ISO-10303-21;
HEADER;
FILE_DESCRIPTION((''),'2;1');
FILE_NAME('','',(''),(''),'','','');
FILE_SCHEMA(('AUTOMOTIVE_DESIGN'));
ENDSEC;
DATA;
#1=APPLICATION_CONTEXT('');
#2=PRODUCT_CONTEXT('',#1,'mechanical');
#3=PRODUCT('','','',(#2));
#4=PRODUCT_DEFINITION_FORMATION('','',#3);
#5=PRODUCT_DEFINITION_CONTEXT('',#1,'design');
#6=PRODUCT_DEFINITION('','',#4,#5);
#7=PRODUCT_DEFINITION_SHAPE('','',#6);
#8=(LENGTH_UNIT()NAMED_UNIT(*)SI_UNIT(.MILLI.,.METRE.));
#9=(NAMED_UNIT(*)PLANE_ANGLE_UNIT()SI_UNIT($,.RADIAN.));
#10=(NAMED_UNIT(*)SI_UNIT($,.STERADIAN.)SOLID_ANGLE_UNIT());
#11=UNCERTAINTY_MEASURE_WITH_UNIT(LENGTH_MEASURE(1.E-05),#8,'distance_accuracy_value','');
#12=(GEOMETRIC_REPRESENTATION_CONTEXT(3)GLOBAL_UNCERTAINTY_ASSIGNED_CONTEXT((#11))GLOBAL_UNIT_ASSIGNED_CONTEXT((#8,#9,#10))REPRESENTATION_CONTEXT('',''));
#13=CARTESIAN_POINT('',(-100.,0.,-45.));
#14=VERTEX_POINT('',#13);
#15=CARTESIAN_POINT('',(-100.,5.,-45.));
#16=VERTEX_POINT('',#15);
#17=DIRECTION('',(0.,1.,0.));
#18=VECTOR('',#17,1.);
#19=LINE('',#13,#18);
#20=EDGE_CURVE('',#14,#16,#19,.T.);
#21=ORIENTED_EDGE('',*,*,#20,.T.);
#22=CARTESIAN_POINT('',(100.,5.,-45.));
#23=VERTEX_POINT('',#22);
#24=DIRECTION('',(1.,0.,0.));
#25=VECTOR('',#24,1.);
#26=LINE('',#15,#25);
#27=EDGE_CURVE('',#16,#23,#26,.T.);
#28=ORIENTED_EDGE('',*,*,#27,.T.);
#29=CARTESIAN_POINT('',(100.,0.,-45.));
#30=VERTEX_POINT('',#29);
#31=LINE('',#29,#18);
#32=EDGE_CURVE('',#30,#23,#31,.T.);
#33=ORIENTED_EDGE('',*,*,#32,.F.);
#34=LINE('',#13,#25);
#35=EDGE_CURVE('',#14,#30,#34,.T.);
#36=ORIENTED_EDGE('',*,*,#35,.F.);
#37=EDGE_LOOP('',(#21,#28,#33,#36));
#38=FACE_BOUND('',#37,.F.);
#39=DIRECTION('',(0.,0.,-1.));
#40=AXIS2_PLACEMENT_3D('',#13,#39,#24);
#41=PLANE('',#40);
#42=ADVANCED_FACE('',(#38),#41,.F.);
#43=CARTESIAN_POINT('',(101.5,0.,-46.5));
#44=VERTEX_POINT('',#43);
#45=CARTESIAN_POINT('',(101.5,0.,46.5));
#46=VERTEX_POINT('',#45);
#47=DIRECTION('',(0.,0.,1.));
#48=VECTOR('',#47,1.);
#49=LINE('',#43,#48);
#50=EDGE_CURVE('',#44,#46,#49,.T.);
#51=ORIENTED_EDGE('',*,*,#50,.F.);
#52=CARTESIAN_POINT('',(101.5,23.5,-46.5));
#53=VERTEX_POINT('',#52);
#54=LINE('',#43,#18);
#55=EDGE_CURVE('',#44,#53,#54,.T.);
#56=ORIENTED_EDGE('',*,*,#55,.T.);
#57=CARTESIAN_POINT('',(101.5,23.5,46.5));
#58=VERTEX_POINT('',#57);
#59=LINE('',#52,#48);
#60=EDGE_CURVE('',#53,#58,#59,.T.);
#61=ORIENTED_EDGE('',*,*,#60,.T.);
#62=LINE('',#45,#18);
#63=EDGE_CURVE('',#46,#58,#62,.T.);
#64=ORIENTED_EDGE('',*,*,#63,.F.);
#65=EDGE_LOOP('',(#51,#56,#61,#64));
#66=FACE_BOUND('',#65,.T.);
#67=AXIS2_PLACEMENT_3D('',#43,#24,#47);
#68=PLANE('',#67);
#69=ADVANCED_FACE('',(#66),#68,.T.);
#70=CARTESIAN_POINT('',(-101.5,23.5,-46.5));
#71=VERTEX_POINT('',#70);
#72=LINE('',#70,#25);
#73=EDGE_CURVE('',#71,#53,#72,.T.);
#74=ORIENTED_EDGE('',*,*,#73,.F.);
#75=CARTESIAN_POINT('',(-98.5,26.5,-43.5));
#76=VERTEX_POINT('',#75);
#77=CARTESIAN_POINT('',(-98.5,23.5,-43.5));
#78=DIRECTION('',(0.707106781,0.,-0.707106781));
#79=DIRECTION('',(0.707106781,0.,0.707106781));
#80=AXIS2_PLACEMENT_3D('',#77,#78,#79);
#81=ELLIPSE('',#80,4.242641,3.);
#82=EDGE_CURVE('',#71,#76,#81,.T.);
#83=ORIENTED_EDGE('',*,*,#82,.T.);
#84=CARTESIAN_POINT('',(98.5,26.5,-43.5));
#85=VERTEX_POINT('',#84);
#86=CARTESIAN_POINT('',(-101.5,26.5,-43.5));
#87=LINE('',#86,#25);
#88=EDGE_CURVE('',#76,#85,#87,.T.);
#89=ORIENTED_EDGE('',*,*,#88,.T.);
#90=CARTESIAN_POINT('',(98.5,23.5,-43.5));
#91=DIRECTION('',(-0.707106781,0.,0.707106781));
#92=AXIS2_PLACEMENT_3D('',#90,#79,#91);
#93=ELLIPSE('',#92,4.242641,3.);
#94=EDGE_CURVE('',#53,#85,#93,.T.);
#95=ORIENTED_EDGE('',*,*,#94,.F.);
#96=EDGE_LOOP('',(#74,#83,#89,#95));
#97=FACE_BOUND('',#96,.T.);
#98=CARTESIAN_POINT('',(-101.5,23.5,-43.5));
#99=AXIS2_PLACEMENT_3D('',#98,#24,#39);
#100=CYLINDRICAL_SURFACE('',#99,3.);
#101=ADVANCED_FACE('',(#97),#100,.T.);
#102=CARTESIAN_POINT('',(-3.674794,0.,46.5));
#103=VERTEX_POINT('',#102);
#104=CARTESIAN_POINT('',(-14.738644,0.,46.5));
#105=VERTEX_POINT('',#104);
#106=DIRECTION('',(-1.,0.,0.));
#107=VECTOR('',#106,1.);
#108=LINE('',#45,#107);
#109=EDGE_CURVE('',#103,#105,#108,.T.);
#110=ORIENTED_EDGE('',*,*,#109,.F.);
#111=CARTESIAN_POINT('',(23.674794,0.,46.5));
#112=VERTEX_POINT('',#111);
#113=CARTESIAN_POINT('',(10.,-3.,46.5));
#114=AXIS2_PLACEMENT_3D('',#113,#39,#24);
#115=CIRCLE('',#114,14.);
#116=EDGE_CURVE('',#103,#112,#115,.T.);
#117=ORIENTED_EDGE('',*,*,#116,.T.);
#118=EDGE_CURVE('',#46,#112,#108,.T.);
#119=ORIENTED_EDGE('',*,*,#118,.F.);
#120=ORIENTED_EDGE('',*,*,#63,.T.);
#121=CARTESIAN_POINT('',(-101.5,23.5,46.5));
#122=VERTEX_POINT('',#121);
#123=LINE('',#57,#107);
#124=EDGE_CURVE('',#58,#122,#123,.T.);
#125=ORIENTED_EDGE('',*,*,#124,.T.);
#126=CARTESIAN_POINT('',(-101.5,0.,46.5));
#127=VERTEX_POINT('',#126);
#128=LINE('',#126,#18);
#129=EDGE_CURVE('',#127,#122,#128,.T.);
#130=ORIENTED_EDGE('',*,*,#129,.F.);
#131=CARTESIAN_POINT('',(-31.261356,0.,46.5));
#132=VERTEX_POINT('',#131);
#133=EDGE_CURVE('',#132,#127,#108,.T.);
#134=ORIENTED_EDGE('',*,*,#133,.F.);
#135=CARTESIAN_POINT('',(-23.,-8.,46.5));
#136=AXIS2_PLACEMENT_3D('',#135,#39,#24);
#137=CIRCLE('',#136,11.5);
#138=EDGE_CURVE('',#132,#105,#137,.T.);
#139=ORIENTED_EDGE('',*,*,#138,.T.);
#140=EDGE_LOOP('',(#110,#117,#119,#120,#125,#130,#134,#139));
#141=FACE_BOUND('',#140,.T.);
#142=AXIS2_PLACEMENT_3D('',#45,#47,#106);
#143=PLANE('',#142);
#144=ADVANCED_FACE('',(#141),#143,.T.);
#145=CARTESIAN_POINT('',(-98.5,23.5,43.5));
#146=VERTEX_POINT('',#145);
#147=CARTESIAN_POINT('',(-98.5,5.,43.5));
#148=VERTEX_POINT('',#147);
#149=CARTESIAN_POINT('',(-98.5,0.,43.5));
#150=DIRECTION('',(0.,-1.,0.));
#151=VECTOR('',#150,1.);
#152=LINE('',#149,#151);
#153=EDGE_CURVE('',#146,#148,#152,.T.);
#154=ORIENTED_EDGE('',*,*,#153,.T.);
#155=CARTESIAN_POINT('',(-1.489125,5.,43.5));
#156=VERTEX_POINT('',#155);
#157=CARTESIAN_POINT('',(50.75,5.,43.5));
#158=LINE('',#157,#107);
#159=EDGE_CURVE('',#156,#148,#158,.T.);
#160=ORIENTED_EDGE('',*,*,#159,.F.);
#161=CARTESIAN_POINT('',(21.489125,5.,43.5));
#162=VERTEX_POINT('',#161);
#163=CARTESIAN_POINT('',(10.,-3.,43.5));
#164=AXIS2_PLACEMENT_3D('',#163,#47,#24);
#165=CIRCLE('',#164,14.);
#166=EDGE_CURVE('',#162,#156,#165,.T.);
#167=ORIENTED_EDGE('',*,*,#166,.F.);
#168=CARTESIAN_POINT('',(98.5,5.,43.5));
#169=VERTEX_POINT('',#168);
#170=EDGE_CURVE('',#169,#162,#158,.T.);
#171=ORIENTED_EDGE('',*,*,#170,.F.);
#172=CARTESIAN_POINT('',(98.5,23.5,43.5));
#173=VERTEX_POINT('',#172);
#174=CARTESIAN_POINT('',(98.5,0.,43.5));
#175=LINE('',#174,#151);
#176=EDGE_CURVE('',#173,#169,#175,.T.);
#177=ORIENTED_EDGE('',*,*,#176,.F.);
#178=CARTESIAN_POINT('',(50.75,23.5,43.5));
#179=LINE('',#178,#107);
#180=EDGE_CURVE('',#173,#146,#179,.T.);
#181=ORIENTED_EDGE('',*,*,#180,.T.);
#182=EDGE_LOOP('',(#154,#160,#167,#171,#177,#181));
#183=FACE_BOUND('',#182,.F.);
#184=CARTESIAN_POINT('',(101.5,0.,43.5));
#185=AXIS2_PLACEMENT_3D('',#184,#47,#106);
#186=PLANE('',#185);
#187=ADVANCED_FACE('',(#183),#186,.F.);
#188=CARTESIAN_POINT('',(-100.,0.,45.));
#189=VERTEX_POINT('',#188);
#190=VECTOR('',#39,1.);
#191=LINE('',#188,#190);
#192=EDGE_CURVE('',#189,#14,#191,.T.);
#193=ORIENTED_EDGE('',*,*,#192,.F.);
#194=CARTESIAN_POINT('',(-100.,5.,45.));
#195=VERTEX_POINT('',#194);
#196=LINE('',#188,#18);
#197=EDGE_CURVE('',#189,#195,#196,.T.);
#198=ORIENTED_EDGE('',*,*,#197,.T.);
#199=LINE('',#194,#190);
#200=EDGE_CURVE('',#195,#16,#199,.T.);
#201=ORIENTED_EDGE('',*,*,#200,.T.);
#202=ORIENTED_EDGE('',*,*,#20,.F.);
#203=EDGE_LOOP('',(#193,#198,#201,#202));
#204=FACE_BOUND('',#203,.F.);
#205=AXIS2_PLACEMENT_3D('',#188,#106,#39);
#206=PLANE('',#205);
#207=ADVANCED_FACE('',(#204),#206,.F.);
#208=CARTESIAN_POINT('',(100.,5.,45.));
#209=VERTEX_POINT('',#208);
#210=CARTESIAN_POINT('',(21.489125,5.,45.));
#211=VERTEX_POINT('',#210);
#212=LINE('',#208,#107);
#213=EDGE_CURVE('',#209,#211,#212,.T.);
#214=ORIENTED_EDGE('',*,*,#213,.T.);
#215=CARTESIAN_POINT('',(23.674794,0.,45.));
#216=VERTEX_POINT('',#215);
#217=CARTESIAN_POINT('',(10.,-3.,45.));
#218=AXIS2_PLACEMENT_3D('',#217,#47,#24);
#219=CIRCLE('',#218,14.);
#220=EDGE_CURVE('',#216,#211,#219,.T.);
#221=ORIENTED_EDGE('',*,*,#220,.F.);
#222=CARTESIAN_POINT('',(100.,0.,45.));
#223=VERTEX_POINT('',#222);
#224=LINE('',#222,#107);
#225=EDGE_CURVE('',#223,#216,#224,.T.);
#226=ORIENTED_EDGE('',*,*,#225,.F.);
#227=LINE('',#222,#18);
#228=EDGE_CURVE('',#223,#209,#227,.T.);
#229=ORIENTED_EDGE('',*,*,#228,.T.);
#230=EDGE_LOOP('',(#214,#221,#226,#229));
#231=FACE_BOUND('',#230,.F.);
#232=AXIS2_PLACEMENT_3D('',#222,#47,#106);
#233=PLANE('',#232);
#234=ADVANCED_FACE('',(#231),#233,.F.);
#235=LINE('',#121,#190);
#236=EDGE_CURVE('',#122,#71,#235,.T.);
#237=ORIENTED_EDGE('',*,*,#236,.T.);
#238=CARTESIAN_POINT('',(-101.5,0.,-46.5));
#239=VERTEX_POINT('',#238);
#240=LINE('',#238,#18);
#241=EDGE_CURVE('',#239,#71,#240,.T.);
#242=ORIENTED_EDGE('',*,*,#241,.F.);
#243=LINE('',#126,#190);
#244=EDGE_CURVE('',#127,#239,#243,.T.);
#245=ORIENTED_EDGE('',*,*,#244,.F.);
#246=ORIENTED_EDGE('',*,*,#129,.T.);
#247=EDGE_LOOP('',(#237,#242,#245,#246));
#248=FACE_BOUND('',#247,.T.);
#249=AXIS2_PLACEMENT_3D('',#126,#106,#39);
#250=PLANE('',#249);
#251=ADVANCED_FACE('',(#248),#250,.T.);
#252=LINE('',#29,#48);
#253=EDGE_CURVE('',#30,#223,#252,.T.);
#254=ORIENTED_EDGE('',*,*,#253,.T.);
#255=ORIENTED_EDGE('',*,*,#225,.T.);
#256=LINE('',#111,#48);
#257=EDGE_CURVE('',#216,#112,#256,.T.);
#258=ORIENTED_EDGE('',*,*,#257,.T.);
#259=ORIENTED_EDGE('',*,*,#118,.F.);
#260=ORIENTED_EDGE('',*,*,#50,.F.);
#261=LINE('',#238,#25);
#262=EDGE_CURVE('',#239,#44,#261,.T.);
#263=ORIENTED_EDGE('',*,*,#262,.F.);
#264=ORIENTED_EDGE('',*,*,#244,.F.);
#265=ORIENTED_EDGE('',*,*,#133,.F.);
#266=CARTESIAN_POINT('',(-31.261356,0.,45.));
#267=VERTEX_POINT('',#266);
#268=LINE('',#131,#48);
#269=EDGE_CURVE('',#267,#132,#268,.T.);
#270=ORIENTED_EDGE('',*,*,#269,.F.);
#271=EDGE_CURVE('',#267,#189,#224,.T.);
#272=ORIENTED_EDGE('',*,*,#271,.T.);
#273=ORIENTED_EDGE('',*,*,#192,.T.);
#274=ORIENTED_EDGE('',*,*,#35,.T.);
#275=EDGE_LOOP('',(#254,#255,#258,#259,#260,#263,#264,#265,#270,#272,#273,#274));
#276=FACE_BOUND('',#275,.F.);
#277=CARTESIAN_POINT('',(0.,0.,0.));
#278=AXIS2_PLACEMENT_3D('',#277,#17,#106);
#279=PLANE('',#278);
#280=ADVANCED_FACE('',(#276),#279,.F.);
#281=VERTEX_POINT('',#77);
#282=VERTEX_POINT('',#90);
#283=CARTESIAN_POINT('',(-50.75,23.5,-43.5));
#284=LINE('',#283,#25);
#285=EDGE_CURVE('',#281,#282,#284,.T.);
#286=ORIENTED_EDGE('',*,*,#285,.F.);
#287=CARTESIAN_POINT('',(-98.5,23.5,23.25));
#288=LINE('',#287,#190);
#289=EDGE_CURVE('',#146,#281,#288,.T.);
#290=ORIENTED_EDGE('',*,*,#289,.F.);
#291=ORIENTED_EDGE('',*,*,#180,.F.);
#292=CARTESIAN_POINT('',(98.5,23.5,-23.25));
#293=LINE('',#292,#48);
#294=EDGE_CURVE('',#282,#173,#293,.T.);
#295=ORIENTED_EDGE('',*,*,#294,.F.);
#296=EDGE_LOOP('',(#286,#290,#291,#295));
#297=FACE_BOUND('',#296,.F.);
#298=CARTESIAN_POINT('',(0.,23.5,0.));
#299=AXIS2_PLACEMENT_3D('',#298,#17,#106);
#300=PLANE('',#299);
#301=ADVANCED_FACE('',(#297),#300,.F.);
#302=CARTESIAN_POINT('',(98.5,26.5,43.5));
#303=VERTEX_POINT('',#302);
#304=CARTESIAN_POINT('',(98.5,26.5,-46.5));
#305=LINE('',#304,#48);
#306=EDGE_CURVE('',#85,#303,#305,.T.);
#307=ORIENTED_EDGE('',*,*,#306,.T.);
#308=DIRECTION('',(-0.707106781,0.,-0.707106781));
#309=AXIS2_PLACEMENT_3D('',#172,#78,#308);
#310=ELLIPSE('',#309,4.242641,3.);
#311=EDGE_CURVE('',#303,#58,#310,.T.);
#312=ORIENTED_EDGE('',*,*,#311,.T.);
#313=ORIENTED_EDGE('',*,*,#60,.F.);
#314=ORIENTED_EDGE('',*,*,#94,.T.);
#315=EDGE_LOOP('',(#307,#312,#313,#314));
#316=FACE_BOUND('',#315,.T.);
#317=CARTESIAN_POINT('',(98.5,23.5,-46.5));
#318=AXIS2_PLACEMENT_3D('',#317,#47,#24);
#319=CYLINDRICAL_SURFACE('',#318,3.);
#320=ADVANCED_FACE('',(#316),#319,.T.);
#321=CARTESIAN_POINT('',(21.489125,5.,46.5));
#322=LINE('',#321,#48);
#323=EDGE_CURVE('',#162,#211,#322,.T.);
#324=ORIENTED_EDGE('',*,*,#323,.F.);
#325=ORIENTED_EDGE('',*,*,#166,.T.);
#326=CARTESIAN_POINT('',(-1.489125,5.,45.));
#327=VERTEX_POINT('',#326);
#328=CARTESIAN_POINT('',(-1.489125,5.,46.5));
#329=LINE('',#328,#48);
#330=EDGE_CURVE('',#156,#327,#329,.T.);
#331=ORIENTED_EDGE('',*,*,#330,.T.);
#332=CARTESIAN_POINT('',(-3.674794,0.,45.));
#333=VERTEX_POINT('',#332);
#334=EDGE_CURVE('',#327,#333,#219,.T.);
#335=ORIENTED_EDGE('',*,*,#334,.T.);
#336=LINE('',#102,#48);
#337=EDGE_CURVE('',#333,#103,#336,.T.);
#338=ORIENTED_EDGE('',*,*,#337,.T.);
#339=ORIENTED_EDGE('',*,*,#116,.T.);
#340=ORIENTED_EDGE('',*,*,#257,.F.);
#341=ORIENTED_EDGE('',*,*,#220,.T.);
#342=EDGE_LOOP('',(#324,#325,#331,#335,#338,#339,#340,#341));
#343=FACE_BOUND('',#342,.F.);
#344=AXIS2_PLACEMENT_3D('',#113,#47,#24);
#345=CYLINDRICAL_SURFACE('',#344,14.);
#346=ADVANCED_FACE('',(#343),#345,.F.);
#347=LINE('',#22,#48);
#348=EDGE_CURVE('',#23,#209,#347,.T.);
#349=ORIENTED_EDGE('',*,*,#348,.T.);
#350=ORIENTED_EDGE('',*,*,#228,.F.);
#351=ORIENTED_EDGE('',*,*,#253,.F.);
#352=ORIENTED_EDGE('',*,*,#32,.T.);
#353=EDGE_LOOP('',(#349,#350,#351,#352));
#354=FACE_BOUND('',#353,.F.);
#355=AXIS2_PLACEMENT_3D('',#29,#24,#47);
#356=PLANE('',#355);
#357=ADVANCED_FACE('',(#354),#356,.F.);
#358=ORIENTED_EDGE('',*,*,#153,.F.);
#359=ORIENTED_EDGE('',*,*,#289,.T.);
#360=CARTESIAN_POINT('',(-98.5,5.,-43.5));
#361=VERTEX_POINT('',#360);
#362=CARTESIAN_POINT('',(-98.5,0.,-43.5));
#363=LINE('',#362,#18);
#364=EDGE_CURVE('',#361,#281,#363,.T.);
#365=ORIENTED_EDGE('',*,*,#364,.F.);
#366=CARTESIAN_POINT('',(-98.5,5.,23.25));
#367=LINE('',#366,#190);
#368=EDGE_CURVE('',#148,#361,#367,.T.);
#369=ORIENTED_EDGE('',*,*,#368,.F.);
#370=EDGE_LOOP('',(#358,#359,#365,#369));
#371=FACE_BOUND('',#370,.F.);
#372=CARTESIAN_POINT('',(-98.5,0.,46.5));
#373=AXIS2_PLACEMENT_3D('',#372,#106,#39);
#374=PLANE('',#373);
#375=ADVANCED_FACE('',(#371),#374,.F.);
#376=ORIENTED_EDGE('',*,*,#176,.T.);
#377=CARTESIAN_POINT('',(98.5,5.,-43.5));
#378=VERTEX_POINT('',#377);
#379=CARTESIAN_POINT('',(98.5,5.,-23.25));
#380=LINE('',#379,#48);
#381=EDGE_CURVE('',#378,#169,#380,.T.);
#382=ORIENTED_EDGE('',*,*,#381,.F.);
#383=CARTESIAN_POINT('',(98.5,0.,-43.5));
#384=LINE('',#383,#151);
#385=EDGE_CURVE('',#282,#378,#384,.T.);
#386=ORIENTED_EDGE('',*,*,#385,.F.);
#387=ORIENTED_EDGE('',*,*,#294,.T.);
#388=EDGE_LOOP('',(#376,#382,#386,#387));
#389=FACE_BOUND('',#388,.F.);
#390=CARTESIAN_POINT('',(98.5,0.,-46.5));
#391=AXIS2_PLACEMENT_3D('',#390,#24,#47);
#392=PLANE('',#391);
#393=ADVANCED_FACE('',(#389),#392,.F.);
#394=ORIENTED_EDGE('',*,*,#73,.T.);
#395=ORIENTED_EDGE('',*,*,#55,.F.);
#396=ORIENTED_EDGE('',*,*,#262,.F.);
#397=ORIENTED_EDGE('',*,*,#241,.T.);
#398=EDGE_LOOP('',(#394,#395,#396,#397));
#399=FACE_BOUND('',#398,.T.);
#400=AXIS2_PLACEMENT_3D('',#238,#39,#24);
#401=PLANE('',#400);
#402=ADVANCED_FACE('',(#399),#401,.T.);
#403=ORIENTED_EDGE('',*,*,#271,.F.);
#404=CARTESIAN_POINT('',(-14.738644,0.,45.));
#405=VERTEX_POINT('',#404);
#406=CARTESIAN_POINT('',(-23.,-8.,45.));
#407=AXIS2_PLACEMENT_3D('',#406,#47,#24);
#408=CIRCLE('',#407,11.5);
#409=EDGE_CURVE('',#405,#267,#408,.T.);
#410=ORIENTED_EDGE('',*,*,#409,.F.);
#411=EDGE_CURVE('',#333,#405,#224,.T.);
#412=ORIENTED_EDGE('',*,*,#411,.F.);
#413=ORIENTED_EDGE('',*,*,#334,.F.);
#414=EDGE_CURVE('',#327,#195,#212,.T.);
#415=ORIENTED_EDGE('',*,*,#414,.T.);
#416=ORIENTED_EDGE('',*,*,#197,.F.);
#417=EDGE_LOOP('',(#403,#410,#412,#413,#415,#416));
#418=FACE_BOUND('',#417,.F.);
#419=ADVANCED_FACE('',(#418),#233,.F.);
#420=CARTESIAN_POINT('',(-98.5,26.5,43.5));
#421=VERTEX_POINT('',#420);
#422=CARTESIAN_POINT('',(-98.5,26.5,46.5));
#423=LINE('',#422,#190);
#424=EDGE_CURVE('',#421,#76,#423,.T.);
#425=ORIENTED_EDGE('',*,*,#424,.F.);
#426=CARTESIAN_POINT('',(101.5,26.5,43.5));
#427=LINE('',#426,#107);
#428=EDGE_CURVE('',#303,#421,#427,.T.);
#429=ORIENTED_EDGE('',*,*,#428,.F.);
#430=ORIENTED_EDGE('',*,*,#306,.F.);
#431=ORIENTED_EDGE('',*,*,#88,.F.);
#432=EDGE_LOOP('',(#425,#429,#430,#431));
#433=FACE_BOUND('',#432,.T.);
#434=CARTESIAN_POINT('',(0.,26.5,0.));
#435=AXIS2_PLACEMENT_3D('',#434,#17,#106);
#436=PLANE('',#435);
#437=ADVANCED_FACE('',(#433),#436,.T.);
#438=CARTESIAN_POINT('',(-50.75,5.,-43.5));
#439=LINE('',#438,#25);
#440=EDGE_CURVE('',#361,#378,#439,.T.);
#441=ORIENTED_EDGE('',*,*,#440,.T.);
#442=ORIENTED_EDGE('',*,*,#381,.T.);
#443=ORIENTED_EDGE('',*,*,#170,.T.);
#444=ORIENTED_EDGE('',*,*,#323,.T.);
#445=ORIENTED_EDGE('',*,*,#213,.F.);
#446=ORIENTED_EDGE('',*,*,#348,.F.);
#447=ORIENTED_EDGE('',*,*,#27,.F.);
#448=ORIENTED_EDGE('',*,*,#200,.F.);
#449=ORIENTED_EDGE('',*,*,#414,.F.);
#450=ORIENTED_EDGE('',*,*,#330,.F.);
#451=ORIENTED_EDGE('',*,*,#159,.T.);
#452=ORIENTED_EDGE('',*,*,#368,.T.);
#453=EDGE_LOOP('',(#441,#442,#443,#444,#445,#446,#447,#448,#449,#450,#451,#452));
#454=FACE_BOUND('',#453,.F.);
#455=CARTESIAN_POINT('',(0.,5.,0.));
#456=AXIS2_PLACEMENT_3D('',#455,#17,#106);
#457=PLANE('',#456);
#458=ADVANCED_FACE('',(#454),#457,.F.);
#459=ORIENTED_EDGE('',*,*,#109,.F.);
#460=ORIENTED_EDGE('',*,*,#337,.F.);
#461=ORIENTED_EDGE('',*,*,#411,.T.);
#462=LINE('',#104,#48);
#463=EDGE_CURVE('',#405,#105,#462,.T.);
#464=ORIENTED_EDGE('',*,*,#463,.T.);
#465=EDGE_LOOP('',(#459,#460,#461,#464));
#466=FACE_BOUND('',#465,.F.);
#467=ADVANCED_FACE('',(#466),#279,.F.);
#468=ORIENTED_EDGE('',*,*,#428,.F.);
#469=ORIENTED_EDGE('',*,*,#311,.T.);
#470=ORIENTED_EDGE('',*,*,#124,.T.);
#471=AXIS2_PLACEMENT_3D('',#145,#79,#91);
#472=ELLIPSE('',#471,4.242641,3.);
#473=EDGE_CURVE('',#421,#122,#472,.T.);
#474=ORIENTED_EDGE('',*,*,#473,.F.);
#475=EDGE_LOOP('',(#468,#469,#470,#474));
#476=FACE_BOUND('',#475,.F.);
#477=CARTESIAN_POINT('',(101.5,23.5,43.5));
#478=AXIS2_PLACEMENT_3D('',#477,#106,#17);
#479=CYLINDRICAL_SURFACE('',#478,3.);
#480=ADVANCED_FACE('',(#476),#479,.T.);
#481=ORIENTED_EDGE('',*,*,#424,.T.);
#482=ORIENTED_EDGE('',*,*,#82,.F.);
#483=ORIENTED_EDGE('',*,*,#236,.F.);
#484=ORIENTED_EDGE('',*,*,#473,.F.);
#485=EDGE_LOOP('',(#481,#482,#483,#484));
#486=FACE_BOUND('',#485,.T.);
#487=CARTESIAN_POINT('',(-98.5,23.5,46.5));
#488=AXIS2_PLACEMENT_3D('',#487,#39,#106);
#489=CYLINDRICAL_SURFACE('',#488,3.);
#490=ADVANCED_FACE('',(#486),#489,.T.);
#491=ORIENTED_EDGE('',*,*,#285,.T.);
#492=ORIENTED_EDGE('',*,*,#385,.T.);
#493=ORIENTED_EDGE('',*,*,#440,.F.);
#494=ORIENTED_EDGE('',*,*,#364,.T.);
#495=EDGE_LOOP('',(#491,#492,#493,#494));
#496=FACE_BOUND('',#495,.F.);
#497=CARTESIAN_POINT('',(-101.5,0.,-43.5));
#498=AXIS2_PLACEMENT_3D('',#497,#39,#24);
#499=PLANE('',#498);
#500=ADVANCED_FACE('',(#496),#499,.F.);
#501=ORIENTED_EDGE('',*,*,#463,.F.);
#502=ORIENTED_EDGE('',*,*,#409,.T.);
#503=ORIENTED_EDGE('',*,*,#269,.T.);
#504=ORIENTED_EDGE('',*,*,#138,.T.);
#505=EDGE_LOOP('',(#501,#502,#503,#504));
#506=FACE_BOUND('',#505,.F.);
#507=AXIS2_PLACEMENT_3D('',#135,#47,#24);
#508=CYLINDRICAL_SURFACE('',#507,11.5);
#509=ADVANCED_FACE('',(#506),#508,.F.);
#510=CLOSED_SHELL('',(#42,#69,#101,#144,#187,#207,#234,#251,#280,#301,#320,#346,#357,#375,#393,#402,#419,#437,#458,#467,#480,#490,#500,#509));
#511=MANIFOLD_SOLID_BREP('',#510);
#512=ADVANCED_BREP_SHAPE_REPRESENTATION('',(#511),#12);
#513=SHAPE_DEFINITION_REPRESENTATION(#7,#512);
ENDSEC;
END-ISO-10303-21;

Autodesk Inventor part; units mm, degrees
sketch "Sketch8" plane through (0, 0, 0) normal (0, 1, 0) x (-1, 0, 0)
  line L0 (101.5, -46.5) -> (-101.5, -46.5)
  line L1 (-101.5, -46.5) -> (-101.5, 46.5)
  line L2 (-101.5, 46.5) -> (101.5, 46.5)
  line L3 (101.5, 46.5) -> (101.5, -46.5)
  line L4 (101.5, -46.5) -> (-101.5, 46.5) construction
  line L5 (-101.5, -46.5) -> (101.5, 46.5) construction
  point P0 (0, 0)
  dimension "d19" = 203
  dimension "d20" = 93
extrude "Extrusion4" add sketch "Sketch8" along normal blind 26.5
shell "Shell3" thickness 3 removed faces 1 at (-33.8333, 0, 15.5)
sketch "Sketch11" plane through (0, 0, 0) normal (0, 1, 0) x (-1, 0, 0)
  line L0 (-100, 45) -> (100, 45)
  line L1 (100, 45) -> (100, -45)
  line L2 (100, -45) -> (-100, -45)
  line L3 (-100, -45) -> (-100, 45)
  line L4 (-100, 45) -> (100, -45) construction
  line L5 (100, 45) -> (-100, -45) construction
  point P0 (0, 0)
  dimension "d28" = 200
  dimension "d29" = 90
extrude "Extrusion6" cut sketch "Sketch11" along normal blind 5
fillet "Fillet1" radius 3 4 edges at (0, 26.5, 46.5) (101.5, 26.5, 0) (0, 26.5, -46.5) (-101.5, 26.5, 0)
sketch "Sketch13" plane through (-101.5, 0, 46.5) normal (0, 0, 1) x (1, 0, 0)
  circle A0 centre (111.5, -3) radius 14
  circle A1 centre (78.5, -8) radius 11.5
  line L0 (-40.6, 0) -> (243.6, 0) projected
  line L1 (203, 0) -> (203, 23.5) projected
  point P0 (101.5, 0)
  dimension "d74" = 28
  dimension "d75" = 23
  dimension "d76" = 3
  dimension "d77" = 91.5
  dimension "d78" = 124.5
  dimension "d79" = 8
extrude "Extrusion8" cut sketch "Sketch13" against normal blind 10
properties part number "top"
